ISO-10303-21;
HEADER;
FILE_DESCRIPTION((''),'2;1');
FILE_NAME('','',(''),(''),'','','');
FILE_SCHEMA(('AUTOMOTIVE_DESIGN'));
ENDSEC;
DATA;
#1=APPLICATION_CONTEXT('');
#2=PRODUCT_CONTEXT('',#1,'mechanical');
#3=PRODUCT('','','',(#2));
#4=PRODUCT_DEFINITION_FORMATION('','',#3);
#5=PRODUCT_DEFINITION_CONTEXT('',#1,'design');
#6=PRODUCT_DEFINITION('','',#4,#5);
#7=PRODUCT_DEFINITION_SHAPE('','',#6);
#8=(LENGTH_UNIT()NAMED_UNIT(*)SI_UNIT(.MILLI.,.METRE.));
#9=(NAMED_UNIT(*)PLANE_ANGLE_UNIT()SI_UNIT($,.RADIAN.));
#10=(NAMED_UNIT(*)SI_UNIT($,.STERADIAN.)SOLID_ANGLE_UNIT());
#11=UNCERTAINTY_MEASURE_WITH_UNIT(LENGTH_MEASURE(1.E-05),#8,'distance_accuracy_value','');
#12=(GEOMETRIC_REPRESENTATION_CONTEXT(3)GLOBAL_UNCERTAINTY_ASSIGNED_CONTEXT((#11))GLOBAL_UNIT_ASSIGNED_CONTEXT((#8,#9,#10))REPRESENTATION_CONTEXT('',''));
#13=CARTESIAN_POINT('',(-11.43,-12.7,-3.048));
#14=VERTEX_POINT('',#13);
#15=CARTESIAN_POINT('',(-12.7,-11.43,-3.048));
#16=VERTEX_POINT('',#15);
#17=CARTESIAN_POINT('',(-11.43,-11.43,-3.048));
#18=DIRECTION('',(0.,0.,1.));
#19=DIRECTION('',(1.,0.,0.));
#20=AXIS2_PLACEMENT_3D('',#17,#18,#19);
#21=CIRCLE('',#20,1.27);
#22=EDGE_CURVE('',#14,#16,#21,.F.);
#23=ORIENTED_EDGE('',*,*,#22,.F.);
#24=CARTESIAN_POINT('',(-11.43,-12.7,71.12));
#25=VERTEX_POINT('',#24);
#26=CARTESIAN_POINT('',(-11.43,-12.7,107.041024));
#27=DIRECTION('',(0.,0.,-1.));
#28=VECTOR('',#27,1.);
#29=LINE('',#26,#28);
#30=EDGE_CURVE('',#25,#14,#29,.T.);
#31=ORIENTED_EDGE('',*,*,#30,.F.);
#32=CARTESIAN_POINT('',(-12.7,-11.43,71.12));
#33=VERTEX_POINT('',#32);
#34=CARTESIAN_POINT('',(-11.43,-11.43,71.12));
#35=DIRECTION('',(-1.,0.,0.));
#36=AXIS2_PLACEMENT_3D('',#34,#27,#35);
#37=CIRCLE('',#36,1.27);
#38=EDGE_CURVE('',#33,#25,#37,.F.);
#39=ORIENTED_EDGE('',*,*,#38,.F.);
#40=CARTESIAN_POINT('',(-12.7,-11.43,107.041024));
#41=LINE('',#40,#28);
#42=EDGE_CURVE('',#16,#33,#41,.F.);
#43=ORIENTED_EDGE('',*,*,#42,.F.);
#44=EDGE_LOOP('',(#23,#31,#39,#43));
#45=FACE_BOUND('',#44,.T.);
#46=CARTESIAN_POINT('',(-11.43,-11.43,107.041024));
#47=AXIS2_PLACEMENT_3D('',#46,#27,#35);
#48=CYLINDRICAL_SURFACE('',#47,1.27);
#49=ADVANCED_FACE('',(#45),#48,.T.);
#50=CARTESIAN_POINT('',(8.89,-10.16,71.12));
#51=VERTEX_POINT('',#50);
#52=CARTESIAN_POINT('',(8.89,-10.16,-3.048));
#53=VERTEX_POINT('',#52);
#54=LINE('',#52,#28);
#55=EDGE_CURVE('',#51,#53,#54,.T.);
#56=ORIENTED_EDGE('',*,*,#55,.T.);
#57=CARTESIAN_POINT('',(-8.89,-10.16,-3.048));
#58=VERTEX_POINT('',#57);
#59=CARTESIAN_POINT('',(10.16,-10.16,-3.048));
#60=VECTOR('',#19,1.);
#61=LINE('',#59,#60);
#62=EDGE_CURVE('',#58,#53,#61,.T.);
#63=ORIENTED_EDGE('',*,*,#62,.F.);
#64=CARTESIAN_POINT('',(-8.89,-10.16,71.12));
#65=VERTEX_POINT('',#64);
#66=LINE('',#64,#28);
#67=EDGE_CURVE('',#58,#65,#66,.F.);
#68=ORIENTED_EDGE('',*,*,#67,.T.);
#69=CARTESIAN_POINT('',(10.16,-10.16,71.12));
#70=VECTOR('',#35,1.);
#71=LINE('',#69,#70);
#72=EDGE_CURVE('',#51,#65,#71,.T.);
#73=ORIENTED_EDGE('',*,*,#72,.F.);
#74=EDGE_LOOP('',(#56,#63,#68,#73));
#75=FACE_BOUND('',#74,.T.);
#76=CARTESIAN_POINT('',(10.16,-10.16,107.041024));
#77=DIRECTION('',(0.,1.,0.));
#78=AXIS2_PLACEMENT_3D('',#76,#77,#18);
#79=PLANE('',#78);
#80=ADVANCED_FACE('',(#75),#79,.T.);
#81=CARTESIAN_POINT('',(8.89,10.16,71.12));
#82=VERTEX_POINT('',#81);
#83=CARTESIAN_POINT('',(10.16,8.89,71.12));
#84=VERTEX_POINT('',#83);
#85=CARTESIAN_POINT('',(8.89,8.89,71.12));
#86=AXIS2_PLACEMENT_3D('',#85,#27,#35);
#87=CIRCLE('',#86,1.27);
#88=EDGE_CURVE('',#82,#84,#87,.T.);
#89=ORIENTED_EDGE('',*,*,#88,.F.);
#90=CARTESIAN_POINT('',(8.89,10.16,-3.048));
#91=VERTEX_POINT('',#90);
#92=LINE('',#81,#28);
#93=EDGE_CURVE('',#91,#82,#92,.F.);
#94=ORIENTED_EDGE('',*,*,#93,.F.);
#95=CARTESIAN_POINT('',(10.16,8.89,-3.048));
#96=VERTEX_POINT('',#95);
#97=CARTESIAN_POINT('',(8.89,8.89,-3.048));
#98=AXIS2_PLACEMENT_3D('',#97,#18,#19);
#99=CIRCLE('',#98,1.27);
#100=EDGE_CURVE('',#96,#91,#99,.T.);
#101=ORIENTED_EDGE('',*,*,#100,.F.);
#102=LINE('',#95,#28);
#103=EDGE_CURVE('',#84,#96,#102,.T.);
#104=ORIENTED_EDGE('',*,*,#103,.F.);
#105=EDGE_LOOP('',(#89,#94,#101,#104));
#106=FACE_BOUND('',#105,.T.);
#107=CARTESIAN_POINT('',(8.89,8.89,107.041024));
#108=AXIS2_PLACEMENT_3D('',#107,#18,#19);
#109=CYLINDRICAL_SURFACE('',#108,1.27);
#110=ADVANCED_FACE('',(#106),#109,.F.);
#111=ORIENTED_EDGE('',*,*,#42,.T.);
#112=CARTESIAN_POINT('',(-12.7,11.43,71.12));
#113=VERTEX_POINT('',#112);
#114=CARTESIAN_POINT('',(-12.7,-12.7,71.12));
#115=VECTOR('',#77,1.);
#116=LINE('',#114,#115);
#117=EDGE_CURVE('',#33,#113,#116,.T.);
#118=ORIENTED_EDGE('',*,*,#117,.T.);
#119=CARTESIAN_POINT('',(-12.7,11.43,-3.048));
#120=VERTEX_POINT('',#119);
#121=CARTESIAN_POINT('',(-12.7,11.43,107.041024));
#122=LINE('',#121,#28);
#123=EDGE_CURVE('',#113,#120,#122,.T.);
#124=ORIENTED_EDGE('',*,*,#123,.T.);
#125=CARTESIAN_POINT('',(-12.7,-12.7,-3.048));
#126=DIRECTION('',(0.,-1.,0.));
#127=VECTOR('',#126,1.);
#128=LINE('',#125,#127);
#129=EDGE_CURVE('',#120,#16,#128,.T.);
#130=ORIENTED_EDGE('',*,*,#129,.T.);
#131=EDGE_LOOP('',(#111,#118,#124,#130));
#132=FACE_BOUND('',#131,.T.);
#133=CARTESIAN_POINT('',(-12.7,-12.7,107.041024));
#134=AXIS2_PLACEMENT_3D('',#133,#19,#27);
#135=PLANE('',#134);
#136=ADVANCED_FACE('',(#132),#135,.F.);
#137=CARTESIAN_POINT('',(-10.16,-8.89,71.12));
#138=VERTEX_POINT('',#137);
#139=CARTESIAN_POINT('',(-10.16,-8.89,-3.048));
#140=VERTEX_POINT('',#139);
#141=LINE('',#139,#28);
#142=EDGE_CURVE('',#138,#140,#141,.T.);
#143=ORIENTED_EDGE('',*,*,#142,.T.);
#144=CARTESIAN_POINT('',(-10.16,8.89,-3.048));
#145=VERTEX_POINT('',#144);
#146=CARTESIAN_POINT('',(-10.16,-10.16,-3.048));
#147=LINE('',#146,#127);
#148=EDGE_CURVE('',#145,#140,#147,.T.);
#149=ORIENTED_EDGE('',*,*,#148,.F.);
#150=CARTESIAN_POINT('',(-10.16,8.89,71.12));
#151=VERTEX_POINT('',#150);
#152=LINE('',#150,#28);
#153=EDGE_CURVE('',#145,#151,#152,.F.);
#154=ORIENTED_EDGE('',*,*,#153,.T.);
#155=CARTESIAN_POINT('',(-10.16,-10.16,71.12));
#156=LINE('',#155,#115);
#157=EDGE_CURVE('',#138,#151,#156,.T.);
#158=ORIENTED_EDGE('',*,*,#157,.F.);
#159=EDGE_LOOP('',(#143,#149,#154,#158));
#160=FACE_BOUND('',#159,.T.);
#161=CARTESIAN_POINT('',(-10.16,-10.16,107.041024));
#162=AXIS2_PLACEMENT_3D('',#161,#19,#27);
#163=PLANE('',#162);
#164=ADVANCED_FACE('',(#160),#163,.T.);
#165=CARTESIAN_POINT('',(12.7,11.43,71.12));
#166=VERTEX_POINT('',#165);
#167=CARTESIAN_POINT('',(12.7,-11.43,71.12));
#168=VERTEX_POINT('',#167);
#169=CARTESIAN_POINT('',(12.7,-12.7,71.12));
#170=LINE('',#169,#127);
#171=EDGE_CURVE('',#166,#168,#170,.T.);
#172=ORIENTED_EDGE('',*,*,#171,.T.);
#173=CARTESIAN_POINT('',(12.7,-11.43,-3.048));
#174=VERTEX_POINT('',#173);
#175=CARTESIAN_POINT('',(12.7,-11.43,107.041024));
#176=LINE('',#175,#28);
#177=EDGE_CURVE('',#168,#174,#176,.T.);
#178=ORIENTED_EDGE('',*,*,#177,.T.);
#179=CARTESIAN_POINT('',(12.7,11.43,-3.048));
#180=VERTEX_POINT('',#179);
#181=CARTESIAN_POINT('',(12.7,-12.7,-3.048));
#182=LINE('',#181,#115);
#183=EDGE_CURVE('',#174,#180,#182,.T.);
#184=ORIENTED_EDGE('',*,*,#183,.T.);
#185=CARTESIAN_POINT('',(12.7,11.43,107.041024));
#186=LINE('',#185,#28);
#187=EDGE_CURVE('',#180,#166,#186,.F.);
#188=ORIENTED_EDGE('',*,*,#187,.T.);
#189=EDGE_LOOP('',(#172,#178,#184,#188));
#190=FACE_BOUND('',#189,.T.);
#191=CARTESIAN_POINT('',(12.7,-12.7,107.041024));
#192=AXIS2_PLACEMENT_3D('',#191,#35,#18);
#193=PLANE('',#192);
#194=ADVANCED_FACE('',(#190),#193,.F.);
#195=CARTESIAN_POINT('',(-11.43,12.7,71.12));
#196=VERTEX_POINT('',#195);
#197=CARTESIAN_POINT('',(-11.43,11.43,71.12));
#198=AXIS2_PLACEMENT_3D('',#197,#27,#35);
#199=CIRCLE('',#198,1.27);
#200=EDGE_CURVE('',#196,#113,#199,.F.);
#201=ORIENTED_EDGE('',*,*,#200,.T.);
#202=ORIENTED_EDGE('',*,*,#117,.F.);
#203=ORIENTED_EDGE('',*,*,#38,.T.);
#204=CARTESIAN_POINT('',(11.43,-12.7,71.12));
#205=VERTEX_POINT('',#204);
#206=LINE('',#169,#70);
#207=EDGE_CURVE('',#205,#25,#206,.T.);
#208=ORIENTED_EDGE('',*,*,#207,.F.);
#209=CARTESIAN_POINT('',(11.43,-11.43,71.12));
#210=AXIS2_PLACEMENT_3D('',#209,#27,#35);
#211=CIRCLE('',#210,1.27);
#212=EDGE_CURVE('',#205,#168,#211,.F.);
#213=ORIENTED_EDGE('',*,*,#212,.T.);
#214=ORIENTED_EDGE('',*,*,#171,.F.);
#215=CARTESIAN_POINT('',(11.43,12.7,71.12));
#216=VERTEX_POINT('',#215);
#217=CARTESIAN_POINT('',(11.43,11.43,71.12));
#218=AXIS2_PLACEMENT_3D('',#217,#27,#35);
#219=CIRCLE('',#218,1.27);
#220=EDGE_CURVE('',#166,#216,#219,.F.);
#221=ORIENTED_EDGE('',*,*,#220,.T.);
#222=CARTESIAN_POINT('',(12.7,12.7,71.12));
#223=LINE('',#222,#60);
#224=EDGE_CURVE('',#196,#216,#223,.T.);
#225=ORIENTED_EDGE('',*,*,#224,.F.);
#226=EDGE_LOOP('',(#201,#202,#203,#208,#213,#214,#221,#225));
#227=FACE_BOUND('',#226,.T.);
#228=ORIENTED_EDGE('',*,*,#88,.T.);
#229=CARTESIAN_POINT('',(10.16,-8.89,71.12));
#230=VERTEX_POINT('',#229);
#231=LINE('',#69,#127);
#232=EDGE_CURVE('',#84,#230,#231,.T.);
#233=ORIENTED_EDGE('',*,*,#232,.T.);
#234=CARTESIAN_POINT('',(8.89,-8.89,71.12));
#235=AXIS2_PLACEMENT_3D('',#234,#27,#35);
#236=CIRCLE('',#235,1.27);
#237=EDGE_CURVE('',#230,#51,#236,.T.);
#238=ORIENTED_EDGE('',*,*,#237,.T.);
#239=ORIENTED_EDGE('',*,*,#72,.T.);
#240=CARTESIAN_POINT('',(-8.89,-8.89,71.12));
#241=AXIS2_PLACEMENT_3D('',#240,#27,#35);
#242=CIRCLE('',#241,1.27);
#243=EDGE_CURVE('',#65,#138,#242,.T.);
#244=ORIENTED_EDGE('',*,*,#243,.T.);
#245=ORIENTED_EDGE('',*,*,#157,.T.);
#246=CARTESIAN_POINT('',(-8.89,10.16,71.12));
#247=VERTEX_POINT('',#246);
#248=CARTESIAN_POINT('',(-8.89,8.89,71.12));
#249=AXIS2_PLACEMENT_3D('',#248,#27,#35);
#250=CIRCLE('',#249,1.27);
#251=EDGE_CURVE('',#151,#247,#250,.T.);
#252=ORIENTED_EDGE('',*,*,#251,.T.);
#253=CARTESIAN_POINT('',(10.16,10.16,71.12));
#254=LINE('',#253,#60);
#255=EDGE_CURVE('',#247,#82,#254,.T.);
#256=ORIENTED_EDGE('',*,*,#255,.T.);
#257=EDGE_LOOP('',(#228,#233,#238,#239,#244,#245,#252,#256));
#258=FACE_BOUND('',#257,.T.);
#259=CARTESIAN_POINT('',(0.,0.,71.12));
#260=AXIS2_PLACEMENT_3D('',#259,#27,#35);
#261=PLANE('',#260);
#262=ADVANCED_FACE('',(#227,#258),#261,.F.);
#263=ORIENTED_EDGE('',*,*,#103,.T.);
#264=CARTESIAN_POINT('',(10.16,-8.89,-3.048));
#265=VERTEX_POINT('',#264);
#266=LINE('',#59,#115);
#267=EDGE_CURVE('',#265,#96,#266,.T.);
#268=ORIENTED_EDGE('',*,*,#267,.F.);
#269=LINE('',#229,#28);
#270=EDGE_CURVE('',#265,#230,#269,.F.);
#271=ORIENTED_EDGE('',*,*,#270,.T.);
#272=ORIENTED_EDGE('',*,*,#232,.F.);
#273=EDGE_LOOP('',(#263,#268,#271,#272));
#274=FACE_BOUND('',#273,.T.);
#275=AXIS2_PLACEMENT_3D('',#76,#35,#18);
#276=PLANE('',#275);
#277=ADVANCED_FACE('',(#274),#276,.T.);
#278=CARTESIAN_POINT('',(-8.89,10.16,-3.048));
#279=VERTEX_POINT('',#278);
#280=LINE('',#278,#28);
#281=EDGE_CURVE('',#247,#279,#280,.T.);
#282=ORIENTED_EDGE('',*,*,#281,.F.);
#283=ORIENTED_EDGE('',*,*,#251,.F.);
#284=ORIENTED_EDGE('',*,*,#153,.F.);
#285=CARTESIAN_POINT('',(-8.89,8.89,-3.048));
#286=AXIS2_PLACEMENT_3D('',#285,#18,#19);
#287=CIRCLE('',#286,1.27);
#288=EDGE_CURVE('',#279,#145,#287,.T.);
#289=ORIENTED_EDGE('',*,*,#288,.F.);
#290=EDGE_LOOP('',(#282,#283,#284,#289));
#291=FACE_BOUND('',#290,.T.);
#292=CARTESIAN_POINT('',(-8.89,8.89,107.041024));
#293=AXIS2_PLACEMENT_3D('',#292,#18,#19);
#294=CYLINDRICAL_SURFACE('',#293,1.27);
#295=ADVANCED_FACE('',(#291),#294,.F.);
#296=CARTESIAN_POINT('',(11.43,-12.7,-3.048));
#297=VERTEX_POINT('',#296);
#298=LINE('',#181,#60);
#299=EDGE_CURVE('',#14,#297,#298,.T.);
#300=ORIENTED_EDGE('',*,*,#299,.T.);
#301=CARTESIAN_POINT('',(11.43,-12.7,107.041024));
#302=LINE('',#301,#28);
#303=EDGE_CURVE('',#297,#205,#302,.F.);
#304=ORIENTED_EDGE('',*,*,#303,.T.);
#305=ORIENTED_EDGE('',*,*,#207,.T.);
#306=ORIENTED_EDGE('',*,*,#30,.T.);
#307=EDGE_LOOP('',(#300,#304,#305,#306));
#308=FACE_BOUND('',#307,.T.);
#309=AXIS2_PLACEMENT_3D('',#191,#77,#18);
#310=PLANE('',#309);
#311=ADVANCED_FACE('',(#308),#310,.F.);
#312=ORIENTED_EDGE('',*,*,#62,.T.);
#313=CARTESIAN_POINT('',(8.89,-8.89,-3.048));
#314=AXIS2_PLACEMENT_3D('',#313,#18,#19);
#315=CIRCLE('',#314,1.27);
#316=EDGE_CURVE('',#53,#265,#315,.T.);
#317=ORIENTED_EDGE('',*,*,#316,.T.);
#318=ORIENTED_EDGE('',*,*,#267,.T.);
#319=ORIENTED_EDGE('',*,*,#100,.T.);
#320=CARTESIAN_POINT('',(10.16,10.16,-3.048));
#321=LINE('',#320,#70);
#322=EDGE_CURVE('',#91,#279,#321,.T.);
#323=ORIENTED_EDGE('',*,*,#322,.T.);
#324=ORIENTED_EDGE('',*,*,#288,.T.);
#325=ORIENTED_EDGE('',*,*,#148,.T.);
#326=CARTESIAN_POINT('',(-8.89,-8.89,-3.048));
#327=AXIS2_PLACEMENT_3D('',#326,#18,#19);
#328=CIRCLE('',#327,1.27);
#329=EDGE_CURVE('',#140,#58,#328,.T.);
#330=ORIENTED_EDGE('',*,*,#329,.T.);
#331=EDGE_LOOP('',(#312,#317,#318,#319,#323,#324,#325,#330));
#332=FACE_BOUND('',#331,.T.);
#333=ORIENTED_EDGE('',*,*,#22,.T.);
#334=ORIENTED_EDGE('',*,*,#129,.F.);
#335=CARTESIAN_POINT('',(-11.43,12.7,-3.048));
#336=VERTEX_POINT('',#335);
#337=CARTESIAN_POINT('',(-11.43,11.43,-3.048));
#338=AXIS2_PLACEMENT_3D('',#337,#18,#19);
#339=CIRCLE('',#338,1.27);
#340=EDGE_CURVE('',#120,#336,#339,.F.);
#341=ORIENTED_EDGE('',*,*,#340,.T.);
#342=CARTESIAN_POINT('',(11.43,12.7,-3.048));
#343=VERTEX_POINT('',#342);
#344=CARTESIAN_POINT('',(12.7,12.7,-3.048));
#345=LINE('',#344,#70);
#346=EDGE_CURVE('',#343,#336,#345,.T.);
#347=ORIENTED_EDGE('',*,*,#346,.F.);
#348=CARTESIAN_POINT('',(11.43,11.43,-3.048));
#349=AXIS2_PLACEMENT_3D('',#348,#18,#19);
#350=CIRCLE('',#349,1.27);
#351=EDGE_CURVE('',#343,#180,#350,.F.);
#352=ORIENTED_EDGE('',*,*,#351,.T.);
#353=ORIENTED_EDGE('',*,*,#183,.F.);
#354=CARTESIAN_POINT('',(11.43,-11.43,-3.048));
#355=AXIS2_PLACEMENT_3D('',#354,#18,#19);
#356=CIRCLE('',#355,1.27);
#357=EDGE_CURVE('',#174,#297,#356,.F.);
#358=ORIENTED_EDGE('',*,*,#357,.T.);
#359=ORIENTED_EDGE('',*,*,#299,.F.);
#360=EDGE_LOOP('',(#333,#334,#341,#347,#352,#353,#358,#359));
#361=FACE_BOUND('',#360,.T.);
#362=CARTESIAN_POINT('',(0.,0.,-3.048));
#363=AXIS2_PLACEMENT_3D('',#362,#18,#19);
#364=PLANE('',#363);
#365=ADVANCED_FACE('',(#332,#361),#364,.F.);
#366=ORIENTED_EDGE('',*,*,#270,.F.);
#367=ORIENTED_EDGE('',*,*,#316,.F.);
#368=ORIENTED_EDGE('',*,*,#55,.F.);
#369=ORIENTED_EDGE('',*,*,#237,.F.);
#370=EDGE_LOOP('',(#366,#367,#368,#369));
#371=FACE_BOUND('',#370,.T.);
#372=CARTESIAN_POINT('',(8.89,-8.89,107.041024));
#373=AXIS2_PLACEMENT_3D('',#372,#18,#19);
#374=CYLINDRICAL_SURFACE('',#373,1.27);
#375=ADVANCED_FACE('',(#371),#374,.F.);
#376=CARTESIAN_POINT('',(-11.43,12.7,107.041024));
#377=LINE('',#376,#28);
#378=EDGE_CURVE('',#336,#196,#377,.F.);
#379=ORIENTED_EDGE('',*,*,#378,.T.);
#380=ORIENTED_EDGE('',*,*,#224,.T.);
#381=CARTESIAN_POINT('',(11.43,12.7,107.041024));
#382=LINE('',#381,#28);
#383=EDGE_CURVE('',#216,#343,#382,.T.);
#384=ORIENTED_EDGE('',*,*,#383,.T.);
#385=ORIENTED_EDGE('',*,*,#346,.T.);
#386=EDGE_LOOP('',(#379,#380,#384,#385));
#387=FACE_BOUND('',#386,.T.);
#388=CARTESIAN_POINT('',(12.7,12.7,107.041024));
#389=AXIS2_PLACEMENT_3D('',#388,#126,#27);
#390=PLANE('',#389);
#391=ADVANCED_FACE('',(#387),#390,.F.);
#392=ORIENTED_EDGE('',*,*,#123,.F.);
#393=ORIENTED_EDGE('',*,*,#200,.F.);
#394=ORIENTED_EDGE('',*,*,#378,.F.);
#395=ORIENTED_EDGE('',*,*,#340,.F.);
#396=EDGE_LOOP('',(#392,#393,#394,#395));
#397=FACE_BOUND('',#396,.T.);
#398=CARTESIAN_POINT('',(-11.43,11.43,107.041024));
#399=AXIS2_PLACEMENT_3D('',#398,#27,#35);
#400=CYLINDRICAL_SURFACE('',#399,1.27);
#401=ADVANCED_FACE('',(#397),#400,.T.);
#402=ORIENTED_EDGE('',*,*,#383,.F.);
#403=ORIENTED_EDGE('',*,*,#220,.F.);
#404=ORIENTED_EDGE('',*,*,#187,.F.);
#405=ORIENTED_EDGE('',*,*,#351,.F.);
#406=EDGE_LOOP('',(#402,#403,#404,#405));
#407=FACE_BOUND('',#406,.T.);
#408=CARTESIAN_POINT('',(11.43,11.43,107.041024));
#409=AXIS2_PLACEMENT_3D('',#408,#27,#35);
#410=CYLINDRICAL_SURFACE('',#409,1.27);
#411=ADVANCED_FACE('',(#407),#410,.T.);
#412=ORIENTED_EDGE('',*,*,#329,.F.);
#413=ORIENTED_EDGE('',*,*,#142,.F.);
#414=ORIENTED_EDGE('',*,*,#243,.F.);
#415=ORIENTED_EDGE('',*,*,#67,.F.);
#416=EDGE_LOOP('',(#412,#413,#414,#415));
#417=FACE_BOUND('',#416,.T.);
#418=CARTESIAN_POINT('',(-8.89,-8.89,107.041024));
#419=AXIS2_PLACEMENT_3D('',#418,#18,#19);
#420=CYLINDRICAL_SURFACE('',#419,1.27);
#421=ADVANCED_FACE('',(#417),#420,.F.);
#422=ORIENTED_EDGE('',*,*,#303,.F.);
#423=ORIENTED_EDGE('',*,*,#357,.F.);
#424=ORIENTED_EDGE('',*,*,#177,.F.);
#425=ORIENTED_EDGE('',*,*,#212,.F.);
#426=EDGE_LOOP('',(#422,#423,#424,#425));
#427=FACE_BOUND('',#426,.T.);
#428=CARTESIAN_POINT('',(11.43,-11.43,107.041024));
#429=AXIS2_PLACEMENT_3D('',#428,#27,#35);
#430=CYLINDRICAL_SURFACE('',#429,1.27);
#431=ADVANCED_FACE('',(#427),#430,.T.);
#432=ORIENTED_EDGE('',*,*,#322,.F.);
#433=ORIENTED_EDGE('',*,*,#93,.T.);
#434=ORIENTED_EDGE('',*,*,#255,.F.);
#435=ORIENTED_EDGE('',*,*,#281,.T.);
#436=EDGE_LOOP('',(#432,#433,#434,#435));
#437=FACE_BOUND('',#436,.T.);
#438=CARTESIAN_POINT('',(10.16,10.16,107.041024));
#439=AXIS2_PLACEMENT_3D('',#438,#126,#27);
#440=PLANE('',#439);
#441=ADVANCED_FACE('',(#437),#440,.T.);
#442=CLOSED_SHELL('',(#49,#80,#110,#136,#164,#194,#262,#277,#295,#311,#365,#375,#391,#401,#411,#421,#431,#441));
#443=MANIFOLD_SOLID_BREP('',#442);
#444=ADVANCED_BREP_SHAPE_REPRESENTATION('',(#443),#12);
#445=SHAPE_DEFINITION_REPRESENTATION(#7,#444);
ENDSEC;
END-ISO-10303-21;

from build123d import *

# Parameters (mm, degrees)
SKETCH1_W           = 25.4
SKETCH1_H           = 25.4
SKETCH1_W_2         = 20.32
SKETCH1_H_2         = 20.32
BOSS_EXTRUDE2_DEPTH = 74.168
FILLET1_R           = 1.27


with BuildPart() as part:
    # Sketch1 → Boss-Extrude2 (new body)
    with BuildSketch(Plane.XY.offset(-3.048)):
        Rectangle(SKETCH1_W, SKETCH1_H)
        Rectangle(SKETCH1_W_2, SKETCH1_H_2, mode=Mode.SUBTRACT)
    extrude(amount=BOSS_EXTRUDE2_DEPTH)

    # Fillet1
    fillet1_edges = [part.edges().sort_by_distance(p)[0] for p in [
        (-12.7, 12.7, 34.036),
        (-12.7, -12.7, 34.036),
        (12.7, -12.7, 34.036),
        (12.7, 12.7, 34.036),
        (-10.16, -10.16, 34.036),
        (10.16, -10.16, 34.036),
        (10.16, 10.16, 34.036),
        (-10.16, 10.16, 34.036),
    ]]
    fillet(fillet1_edges, radius=FILLET1_R)


solid = part.part
